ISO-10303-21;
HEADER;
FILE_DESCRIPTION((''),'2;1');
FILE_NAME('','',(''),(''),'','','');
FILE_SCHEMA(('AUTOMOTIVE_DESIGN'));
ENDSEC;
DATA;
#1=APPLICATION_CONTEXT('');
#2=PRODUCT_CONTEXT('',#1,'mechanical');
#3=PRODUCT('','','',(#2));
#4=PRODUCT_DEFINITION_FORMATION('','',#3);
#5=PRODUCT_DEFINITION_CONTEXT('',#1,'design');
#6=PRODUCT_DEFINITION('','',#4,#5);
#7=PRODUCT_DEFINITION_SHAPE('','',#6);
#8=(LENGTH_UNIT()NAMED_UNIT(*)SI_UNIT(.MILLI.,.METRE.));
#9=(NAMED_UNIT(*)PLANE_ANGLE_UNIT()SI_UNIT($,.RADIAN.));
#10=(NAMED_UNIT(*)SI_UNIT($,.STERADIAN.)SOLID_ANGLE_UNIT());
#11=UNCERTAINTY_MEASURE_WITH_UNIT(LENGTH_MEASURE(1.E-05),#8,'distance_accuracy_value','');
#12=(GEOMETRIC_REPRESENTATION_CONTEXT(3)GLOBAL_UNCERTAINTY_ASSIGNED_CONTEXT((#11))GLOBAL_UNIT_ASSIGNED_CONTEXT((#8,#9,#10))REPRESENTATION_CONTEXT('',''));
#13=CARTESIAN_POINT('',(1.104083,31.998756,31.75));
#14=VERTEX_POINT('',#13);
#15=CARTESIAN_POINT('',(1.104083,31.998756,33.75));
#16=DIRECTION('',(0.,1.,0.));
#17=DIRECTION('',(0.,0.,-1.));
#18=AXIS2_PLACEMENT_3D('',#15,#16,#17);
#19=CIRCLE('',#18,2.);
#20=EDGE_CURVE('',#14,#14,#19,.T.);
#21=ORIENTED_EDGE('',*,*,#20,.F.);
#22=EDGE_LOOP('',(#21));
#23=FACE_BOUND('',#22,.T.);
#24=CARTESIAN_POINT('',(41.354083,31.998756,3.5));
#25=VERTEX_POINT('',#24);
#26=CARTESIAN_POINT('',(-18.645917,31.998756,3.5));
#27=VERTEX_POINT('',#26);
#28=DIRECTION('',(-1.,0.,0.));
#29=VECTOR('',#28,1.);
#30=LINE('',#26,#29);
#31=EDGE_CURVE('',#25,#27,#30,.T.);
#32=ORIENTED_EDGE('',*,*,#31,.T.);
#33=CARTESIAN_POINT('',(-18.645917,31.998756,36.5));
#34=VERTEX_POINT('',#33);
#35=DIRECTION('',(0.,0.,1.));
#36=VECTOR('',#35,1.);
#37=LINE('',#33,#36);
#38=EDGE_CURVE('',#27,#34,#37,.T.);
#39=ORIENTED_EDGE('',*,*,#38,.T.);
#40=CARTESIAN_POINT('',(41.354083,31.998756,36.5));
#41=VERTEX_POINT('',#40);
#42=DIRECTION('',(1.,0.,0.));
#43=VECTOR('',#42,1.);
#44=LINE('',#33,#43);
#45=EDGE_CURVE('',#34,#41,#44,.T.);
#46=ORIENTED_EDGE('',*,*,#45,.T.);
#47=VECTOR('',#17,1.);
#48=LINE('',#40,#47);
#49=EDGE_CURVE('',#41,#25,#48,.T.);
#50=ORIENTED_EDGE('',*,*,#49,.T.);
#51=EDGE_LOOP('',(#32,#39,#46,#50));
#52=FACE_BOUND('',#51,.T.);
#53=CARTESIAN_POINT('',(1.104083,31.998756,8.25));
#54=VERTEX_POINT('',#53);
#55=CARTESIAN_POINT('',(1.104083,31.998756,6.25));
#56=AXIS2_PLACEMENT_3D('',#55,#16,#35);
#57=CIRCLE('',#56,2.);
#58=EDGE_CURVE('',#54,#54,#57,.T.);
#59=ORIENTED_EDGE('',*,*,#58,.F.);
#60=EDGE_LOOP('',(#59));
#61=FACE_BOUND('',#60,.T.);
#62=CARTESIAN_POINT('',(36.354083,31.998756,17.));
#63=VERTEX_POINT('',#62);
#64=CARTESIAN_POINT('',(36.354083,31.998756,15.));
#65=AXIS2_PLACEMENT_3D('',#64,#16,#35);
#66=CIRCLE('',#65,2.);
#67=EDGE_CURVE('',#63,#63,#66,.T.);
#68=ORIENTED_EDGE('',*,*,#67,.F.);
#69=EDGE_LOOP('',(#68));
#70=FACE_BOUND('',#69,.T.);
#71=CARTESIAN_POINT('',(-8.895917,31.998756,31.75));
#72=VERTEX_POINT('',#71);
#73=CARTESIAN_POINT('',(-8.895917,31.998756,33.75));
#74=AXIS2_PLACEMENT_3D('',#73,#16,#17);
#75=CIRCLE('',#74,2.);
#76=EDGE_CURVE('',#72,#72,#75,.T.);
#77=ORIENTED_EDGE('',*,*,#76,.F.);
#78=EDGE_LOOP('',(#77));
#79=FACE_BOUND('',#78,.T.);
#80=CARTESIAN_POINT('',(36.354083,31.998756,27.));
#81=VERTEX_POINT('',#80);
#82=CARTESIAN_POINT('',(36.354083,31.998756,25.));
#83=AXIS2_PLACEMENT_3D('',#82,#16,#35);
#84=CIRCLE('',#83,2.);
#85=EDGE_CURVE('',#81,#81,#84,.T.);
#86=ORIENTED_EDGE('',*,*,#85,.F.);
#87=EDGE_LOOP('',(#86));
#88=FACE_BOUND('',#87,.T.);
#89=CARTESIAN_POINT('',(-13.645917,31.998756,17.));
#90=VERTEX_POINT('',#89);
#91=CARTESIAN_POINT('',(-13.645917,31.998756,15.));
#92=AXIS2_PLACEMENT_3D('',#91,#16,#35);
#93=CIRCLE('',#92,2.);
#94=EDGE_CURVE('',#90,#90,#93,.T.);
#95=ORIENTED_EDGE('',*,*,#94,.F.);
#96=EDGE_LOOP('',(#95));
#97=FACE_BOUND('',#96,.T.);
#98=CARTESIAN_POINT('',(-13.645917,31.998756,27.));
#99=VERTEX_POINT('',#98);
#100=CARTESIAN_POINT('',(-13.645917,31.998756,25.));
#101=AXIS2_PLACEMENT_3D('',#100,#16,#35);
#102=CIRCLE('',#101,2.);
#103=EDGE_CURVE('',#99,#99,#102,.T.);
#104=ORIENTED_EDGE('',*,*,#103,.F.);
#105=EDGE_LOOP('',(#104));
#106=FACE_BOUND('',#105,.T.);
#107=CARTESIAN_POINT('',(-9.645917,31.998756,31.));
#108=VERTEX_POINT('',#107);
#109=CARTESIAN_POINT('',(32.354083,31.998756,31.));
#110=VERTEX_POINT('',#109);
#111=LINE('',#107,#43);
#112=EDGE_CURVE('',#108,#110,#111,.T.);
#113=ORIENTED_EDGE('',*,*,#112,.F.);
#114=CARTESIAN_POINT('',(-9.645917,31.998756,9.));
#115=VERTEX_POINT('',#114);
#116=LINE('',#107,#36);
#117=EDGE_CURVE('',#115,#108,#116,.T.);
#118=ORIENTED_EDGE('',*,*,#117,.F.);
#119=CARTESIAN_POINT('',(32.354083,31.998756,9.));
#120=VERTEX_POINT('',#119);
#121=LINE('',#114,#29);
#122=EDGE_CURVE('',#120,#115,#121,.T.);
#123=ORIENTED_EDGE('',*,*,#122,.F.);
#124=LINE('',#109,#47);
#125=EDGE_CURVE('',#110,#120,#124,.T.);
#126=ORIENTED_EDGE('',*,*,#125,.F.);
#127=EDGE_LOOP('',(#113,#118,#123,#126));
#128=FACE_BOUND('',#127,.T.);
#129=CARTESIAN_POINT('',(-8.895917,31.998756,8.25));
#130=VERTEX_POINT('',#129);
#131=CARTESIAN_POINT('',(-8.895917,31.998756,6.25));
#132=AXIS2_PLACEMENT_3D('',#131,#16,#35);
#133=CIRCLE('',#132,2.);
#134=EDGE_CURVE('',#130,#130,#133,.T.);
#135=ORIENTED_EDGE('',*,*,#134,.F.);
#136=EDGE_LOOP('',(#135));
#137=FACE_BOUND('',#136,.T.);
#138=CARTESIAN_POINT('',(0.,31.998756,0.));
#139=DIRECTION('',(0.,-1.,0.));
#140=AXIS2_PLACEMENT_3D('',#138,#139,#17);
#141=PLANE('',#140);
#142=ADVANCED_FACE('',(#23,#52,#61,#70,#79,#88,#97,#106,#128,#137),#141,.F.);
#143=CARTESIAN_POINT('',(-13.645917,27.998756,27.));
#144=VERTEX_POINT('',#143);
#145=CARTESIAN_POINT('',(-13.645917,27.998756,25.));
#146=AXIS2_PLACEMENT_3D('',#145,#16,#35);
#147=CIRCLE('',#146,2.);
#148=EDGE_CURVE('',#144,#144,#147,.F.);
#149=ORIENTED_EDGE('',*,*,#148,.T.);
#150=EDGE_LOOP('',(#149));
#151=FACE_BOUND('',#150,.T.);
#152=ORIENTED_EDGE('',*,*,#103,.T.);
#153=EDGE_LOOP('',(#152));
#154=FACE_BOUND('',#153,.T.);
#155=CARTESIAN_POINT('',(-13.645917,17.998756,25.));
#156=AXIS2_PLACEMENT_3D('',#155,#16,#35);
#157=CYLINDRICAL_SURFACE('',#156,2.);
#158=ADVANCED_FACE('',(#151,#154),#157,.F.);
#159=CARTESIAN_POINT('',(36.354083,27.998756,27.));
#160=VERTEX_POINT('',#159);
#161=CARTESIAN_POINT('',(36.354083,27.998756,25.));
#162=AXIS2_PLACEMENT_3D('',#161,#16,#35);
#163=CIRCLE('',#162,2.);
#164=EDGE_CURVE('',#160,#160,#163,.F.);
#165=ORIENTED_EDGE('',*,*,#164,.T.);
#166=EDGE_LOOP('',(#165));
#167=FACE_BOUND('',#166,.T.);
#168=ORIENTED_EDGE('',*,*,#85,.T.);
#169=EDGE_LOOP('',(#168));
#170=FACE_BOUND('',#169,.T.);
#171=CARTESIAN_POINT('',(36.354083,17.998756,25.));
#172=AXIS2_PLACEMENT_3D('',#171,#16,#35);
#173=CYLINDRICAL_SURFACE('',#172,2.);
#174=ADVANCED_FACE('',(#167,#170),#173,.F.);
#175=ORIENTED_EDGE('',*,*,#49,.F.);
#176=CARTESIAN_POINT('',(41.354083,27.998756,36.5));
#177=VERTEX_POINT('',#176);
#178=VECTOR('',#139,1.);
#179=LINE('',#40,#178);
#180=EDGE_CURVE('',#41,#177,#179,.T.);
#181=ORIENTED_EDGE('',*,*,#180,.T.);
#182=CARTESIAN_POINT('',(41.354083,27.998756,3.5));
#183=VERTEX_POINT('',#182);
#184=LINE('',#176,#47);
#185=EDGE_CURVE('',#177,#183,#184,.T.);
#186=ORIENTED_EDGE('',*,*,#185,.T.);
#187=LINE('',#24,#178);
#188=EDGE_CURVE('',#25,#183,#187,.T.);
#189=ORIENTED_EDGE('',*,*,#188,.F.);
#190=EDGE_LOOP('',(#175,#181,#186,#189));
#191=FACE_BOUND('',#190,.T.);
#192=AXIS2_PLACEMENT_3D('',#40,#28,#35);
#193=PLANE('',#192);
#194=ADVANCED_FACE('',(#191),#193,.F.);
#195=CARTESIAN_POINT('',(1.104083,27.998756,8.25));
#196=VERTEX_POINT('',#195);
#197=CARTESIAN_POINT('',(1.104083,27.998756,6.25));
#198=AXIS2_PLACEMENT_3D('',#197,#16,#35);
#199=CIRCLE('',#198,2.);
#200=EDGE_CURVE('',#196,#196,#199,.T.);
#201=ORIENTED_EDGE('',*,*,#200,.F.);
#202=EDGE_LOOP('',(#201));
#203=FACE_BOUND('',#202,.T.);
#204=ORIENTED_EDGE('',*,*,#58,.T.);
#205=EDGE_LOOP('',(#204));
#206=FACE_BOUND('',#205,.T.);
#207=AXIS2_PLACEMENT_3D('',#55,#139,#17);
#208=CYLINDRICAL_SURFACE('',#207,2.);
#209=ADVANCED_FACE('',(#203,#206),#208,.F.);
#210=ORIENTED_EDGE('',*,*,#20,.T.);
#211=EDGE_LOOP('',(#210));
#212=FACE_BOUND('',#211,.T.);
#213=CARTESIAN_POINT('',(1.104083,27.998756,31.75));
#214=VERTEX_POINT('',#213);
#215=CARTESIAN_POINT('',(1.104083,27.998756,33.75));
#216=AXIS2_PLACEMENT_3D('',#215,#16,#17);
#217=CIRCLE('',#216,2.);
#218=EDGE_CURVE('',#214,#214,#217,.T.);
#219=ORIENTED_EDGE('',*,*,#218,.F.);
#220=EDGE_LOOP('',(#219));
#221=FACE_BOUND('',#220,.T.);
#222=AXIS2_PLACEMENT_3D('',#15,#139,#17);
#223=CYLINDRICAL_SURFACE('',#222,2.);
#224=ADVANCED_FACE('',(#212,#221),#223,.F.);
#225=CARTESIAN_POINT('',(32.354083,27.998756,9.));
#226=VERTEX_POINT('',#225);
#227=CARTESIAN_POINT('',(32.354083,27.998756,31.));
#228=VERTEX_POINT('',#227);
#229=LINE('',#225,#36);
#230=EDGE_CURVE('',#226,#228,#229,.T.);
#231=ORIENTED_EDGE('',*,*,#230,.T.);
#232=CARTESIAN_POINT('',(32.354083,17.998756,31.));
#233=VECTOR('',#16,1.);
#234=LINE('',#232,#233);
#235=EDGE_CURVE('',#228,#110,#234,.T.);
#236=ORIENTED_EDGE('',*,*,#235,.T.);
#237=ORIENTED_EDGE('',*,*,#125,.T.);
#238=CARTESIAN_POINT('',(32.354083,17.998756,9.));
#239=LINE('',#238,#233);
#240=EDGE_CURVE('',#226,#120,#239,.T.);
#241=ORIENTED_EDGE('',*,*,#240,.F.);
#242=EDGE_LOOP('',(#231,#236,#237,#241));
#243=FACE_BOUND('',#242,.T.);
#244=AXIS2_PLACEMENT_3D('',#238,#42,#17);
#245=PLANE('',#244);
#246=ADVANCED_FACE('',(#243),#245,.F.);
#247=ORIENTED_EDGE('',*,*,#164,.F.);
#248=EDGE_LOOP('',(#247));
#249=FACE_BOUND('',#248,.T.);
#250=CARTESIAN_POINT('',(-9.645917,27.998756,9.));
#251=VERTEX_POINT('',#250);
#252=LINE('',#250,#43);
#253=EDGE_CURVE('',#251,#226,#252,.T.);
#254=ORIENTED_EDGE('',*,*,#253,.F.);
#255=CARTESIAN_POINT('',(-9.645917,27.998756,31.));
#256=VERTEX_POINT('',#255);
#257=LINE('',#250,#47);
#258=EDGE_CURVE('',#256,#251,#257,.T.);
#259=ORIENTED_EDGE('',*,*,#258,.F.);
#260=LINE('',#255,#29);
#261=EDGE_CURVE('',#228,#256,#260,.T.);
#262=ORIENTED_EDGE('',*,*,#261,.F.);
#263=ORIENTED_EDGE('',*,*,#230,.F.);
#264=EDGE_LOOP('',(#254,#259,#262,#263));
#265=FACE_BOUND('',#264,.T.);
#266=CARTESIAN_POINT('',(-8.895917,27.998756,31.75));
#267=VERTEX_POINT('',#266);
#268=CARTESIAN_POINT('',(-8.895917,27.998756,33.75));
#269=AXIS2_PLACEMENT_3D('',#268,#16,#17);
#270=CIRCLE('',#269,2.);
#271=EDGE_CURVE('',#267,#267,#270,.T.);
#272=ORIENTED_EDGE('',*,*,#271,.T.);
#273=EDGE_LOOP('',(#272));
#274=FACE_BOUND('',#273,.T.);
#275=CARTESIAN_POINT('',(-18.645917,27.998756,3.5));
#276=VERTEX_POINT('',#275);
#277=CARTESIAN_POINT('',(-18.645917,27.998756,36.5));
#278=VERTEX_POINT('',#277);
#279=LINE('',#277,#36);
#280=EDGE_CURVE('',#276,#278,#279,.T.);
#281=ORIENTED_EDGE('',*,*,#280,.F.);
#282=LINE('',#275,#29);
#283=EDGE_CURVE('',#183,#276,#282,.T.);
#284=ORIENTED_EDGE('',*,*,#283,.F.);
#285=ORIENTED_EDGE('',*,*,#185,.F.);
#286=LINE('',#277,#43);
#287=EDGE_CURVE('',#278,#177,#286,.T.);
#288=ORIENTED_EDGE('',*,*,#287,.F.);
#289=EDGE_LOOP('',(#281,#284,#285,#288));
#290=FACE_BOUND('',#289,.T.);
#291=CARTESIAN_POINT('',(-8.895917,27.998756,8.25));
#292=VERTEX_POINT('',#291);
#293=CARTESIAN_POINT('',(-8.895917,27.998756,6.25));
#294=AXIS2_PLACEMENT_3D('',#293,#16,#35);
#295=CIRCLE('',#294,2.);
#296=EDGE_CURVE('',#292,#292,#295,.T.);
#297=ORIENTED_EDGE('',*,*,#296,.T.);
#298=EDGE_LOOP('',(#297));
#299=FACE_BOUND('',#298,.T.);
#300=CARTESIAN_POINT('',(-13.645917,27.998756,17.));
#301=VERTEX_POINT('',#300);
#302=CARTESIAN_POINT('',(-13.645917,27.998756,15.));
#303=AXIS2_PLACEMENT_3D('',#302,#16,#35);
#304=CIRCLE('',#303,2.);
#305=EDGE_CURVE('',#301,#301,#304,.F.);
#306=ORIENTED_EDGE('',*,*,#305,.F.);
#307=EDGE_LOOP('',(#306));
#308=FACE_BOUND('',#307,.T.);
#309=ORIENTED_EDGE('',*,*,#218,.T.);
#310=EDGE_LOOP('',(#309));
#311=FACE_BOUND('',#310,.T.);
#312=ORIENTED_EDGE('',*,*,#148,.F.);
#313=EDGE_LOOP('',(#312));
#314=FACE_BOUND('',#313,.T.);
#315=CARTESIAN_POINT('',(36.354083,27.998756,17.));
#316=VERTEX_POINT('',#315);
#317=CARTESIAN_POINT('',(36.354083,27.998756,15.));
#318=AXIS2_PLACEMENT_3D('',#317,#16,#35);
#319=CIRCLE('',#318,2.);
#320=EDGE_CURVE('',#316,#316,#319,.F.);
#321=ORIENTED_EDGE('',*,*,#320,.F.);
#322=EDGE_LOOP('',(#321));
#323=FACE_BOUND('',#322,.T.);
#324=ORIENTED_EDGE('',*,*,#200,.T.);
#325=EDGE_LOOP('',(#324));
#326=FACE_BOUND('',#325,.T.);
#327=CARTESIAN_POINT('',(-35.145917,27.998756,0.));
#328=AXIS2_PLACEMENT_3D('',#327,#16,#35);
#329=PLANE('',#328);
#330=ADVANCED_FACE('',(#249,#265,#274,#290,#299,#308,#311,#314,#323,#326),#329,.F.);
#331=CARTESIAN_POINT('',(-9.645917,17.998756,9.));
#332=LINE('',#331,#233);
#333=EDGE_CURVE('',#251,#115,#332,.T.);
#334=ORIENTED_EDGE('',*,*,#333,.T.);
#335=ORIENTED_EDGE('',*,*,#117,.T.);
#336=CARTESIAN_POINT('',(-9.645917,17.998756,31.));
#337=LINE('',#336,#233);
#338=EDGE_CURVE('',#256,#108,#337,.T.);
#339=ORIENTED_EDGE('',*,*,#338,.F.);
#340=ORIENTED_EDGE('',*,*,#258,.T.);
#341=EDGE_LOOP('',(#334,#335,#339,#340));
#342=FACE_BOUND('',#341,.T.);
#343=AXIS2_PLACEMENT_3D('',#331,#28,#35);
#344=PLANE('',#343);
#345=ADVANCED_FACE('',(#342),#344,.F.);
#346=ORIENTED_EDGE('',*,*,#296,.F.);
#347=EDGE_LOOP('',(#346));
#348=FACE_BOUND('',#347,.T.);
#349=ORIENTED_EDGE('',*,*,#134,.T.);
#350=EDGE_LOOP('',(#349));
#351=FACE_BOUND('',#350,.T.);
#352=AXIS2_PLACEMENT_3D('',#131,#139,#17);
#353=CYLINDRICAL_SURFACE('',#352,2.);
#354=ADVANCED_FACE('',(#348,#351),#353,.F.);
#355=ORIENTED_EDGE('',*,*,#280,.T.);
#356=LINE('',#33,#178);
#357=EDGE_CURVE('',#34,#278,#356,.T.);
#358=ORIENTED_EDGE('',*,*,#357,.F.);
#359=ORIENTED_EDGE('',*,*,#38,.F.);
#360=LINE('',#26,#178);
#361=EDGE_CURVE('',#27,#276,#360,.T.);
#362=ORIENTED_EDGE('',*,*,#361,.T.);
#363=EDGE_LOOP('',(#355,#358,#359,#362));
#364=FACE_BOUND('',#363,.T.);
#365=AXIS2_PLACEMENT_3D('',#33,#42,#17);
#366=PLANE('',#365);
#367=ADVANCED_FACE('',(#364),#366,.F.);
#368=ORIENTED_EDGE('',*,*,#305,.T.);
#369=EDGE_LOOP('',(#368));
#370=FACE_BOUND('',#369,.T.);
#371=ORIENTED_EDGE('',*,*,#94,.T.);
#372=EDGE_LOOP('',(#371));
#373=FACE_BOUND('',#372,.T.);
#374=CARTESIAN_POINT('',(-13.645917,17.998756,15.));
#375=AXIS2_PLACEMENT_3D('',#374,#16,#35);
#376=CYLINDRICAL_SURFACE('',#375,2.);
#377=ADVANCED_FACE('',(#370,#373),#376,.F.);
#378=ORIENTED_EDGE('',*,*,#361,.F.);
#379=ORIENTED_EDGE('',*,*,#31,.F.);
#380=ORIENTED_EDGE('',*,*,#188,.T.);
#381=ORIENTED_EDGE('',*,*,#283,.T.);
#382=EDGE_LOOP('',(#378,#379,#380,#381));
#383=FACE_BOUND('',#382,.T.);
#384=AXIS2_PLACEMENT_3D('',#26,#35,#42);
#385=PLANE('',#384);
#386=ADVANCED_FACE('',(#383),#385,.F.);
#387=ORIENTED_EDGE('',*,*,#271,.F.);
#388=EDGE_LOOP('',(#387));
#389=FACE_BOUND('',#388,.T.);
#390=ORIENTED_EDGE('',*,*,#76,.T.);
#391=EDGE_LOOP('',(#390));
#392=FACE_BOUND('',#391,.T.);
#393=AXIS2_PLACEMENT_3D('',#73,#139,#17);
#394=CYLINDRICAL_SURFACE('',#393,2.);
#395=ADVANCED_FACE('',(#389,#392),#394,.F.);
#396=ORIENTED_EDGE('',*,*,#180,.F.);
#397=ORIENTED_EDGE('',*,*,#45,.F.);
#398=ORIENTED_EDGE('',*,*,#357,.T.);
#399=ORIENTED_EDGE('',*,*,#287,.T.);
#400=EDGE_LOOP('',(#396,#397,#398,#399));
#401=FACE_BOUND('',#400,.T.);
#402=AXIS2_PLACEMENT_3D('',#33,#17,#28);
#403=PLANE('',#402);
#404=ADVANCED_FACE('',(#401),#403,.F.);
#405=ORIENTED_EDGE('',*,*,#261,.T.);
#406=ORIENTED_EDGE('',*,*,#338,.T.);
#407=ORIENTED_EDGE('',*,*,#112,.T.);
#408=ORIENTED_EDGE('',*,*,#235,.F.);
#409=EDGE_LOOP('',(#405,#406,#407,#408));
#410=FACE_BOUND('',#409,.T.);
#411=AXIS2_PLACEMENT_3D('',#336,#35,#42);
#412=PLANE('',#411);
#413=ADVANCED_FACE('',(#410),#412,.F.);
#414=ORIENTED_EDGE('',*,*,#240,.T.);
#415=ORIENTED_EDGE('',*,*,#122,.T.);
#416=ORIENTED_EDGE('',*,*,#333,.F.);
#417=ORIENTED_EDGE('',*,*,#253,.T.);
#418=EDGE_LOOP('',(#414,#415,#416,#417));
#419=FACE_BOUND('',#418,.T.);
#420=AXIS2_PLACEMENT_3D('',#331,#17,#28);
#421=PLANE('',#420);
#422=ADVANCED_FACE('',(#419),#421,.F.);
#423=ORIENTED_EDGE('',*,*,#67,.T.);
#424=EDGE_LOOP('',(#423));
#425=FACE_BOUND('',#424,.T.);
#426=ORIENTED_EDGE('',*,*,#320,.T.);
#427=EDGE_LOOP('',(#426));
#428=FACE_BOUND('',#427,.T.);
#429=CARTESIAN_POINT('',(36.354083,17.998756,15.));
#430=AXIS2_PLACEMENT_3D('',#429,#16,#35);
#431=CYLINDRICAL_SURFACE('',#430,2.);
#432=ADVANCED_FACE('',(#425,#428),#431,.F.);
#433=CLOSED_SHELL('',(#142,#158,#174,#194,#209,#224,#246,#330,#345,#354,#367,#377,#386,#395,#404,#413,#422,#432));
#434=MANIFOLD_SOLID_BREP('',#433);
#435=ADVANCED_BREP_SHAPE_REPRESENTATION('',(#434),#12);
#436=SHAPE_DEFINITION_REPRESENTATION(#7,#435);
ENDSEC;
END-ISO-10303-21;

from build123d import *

# Parameters (mm, degrees)
SALIENTE_EXTRUIR1_DEPTH = 40
CROQUIS3_R              = 2.5
CORTAR_EXTRUIR1_DEPTH   = 94
CROQUIS5_W              = 40
CROQUIS5_H              = 10
CORTAR_EXTRUIR2_DEPTH   = 40
CROQUIS6_W              = 42
CROQUIS6_H              = 22
CORTAR_EXTRUIR3_DEPTH   = 10
CROQUIS7_R              = 2
CORTAR_EXTRUIR4_DEPTH   = 10
CROQUIS8_W              = 60
CROQUIS8_H              = 33
CROQUIS8_R              = 2
CROQUIS8_W_2            = 42
CROQUIS8_H_2            = 22
SALIENTE_EXTRUIR2_DEPTH = 4
CROQUIS9_W              = 99.924242424
CROQUIS9_H              = 56.811688312
CORTAR_EXTRUIR9_DEPTH   = 41


with BuildPart() as part:
    # Croquis2 → Saliente-Extruir1 (new body)
    with BuildSketch(Plane.XY):
        Polygon((-31.145916957, -11.001243781), (-31.145916957, 23.998756219), (53.854083043, 23.998756219), (53.854083043, -11.001243781), (57.854083043, -11.001243781), (57.854083043, 27.998756219), (-35.145916957, 27.998756219), (-35.145916957, -11.001243781), align=None)
    extrude(amount=SALIENTE_EXTRUIR1_DEPTH)

    # Croquis3 → Cortar-Extruir1 (cut, through all)
    with BuildSketch(Plane.ZY.offset(35.145916957)):
        with Locations((20, 7.998756219)):
            Circle(CROQUIS3_R)
    extrude(amount=-CORTAR_EXTRUIR1_DEPTH, mode=Mode.SUBTRACT)

    # Croquis5 → Cortar-Extruir2 (cut)
    with BuildSketch(Plane.ZY.offset(35.145916957)):
        with Locations((20, -6.001243781)):
            Rectangle(CROQUIS5_W, CROQUIS5_H)
    extrude(amount=-CORTAR_EXTRUIR2_DEPTH, mode=Mode.SUBTRACT)

    # Croquis6 → Cortar-Extruir3 (cut)
    with BuildSketch(Plane(origin=(0, 27.998756219, 0), x_dir=(1, 0, 0), z_dir=(0, 1, 0))):
        with Locations((11.354083043, -20)):
            Rectangle(CROQUIS6_W, CROQUIS6_H)
    extrude(amount=-CORTAR_EXTRUIR3_DEPTH, mode=Mode.SUBTRACT)

    # Croquis7 → Cortar-Extruir4 (cut)
    with BuildSketch(Plane(origin=(0, 27.998756219, 0), x_dir=(1, 0, 0), z_dir=(0, 1, 0))):
        with Locations((-13.645916957, -15)):
            Circle(CROQUIS7_R)
        with Locations((-13.645916957, -25)):
            Circle(CROQUIS7_R)
        with Locations((36.354083043, -15)):
            Circle(CROQUIS7_R)
        with Locations((36.354083043, -25)):
            Circle(CROQUIS7_R)
    extrude(amount=-CORTAR_EXTRUIR4_DEPTH, mode=Mode.SUBTRACT)

    # Croquis8 → Saliente-Extruir2 (add)
    with BuildSketch(Plane(origin=(0, 27.998756219, 0), x_dir=(1, 0, 0), z_dir=(0, 1, 0))):
        with Locations((11.354083043, -20)):
            Rectangle(CROQUIS8_W, CROQUIS8_H)
        with Locations((-8.895916957, -6.25)):
            Circle(CROQUIS8_R, mode=Mode.SUBTRACT)
        with Locations((1.104083043, -6.25)):
            Circle(CROQUIS8_R, mode=Mode.SUBTRACT)
        with Locations((-8.895916957, -33.75)):
            Circle(CROQUIS8_R, mode=Mode.SUBTRACT)
        with Locations((1.104083043, -33.75)):
            Circle(CROQUIS8_R, mode=Mode.SUBTRACT)
        with Locations((-13.645916957, -15)):
            Circle(CROQUIS8_R, mode=Mode.SUBTRACT)
        with Locations((-13.645916957, -25)):
            Circle(CROQUIS8_R, mode=Mode.SUBTRACT)
        with Locations((36.354083043, -15)):
            Circle(CROQUIS8_R, mode=Mode.SUBTRACT)
        with Locations((36.354083043, -25)):
            Circle(CROQUIS8_R, mode=Mode.SUBTRACT)
        with Locations((11.354083043, -20)):
            Rectangle(CROQUIS8_W_2, CROQUIS8_H_2, mode=Mode.SUBTRACT)
    extrude(amount=SALIENTE_EXTRUIR2_DEPTH)

    # Croquis9 → Cortar-Extruir9 (cut, through all)
    with BuildSketch(Plane.XY.offset(40)):
        with Locations((14.816204255, -0.407087937)):
            Rectangle(CROQUIS9_W, CROQUIS9_H)
    extrude(amount=-CORTAR_EXTRUIR9_DEPTH, mode=Mode.SUBTRACT)


solid = part.part
